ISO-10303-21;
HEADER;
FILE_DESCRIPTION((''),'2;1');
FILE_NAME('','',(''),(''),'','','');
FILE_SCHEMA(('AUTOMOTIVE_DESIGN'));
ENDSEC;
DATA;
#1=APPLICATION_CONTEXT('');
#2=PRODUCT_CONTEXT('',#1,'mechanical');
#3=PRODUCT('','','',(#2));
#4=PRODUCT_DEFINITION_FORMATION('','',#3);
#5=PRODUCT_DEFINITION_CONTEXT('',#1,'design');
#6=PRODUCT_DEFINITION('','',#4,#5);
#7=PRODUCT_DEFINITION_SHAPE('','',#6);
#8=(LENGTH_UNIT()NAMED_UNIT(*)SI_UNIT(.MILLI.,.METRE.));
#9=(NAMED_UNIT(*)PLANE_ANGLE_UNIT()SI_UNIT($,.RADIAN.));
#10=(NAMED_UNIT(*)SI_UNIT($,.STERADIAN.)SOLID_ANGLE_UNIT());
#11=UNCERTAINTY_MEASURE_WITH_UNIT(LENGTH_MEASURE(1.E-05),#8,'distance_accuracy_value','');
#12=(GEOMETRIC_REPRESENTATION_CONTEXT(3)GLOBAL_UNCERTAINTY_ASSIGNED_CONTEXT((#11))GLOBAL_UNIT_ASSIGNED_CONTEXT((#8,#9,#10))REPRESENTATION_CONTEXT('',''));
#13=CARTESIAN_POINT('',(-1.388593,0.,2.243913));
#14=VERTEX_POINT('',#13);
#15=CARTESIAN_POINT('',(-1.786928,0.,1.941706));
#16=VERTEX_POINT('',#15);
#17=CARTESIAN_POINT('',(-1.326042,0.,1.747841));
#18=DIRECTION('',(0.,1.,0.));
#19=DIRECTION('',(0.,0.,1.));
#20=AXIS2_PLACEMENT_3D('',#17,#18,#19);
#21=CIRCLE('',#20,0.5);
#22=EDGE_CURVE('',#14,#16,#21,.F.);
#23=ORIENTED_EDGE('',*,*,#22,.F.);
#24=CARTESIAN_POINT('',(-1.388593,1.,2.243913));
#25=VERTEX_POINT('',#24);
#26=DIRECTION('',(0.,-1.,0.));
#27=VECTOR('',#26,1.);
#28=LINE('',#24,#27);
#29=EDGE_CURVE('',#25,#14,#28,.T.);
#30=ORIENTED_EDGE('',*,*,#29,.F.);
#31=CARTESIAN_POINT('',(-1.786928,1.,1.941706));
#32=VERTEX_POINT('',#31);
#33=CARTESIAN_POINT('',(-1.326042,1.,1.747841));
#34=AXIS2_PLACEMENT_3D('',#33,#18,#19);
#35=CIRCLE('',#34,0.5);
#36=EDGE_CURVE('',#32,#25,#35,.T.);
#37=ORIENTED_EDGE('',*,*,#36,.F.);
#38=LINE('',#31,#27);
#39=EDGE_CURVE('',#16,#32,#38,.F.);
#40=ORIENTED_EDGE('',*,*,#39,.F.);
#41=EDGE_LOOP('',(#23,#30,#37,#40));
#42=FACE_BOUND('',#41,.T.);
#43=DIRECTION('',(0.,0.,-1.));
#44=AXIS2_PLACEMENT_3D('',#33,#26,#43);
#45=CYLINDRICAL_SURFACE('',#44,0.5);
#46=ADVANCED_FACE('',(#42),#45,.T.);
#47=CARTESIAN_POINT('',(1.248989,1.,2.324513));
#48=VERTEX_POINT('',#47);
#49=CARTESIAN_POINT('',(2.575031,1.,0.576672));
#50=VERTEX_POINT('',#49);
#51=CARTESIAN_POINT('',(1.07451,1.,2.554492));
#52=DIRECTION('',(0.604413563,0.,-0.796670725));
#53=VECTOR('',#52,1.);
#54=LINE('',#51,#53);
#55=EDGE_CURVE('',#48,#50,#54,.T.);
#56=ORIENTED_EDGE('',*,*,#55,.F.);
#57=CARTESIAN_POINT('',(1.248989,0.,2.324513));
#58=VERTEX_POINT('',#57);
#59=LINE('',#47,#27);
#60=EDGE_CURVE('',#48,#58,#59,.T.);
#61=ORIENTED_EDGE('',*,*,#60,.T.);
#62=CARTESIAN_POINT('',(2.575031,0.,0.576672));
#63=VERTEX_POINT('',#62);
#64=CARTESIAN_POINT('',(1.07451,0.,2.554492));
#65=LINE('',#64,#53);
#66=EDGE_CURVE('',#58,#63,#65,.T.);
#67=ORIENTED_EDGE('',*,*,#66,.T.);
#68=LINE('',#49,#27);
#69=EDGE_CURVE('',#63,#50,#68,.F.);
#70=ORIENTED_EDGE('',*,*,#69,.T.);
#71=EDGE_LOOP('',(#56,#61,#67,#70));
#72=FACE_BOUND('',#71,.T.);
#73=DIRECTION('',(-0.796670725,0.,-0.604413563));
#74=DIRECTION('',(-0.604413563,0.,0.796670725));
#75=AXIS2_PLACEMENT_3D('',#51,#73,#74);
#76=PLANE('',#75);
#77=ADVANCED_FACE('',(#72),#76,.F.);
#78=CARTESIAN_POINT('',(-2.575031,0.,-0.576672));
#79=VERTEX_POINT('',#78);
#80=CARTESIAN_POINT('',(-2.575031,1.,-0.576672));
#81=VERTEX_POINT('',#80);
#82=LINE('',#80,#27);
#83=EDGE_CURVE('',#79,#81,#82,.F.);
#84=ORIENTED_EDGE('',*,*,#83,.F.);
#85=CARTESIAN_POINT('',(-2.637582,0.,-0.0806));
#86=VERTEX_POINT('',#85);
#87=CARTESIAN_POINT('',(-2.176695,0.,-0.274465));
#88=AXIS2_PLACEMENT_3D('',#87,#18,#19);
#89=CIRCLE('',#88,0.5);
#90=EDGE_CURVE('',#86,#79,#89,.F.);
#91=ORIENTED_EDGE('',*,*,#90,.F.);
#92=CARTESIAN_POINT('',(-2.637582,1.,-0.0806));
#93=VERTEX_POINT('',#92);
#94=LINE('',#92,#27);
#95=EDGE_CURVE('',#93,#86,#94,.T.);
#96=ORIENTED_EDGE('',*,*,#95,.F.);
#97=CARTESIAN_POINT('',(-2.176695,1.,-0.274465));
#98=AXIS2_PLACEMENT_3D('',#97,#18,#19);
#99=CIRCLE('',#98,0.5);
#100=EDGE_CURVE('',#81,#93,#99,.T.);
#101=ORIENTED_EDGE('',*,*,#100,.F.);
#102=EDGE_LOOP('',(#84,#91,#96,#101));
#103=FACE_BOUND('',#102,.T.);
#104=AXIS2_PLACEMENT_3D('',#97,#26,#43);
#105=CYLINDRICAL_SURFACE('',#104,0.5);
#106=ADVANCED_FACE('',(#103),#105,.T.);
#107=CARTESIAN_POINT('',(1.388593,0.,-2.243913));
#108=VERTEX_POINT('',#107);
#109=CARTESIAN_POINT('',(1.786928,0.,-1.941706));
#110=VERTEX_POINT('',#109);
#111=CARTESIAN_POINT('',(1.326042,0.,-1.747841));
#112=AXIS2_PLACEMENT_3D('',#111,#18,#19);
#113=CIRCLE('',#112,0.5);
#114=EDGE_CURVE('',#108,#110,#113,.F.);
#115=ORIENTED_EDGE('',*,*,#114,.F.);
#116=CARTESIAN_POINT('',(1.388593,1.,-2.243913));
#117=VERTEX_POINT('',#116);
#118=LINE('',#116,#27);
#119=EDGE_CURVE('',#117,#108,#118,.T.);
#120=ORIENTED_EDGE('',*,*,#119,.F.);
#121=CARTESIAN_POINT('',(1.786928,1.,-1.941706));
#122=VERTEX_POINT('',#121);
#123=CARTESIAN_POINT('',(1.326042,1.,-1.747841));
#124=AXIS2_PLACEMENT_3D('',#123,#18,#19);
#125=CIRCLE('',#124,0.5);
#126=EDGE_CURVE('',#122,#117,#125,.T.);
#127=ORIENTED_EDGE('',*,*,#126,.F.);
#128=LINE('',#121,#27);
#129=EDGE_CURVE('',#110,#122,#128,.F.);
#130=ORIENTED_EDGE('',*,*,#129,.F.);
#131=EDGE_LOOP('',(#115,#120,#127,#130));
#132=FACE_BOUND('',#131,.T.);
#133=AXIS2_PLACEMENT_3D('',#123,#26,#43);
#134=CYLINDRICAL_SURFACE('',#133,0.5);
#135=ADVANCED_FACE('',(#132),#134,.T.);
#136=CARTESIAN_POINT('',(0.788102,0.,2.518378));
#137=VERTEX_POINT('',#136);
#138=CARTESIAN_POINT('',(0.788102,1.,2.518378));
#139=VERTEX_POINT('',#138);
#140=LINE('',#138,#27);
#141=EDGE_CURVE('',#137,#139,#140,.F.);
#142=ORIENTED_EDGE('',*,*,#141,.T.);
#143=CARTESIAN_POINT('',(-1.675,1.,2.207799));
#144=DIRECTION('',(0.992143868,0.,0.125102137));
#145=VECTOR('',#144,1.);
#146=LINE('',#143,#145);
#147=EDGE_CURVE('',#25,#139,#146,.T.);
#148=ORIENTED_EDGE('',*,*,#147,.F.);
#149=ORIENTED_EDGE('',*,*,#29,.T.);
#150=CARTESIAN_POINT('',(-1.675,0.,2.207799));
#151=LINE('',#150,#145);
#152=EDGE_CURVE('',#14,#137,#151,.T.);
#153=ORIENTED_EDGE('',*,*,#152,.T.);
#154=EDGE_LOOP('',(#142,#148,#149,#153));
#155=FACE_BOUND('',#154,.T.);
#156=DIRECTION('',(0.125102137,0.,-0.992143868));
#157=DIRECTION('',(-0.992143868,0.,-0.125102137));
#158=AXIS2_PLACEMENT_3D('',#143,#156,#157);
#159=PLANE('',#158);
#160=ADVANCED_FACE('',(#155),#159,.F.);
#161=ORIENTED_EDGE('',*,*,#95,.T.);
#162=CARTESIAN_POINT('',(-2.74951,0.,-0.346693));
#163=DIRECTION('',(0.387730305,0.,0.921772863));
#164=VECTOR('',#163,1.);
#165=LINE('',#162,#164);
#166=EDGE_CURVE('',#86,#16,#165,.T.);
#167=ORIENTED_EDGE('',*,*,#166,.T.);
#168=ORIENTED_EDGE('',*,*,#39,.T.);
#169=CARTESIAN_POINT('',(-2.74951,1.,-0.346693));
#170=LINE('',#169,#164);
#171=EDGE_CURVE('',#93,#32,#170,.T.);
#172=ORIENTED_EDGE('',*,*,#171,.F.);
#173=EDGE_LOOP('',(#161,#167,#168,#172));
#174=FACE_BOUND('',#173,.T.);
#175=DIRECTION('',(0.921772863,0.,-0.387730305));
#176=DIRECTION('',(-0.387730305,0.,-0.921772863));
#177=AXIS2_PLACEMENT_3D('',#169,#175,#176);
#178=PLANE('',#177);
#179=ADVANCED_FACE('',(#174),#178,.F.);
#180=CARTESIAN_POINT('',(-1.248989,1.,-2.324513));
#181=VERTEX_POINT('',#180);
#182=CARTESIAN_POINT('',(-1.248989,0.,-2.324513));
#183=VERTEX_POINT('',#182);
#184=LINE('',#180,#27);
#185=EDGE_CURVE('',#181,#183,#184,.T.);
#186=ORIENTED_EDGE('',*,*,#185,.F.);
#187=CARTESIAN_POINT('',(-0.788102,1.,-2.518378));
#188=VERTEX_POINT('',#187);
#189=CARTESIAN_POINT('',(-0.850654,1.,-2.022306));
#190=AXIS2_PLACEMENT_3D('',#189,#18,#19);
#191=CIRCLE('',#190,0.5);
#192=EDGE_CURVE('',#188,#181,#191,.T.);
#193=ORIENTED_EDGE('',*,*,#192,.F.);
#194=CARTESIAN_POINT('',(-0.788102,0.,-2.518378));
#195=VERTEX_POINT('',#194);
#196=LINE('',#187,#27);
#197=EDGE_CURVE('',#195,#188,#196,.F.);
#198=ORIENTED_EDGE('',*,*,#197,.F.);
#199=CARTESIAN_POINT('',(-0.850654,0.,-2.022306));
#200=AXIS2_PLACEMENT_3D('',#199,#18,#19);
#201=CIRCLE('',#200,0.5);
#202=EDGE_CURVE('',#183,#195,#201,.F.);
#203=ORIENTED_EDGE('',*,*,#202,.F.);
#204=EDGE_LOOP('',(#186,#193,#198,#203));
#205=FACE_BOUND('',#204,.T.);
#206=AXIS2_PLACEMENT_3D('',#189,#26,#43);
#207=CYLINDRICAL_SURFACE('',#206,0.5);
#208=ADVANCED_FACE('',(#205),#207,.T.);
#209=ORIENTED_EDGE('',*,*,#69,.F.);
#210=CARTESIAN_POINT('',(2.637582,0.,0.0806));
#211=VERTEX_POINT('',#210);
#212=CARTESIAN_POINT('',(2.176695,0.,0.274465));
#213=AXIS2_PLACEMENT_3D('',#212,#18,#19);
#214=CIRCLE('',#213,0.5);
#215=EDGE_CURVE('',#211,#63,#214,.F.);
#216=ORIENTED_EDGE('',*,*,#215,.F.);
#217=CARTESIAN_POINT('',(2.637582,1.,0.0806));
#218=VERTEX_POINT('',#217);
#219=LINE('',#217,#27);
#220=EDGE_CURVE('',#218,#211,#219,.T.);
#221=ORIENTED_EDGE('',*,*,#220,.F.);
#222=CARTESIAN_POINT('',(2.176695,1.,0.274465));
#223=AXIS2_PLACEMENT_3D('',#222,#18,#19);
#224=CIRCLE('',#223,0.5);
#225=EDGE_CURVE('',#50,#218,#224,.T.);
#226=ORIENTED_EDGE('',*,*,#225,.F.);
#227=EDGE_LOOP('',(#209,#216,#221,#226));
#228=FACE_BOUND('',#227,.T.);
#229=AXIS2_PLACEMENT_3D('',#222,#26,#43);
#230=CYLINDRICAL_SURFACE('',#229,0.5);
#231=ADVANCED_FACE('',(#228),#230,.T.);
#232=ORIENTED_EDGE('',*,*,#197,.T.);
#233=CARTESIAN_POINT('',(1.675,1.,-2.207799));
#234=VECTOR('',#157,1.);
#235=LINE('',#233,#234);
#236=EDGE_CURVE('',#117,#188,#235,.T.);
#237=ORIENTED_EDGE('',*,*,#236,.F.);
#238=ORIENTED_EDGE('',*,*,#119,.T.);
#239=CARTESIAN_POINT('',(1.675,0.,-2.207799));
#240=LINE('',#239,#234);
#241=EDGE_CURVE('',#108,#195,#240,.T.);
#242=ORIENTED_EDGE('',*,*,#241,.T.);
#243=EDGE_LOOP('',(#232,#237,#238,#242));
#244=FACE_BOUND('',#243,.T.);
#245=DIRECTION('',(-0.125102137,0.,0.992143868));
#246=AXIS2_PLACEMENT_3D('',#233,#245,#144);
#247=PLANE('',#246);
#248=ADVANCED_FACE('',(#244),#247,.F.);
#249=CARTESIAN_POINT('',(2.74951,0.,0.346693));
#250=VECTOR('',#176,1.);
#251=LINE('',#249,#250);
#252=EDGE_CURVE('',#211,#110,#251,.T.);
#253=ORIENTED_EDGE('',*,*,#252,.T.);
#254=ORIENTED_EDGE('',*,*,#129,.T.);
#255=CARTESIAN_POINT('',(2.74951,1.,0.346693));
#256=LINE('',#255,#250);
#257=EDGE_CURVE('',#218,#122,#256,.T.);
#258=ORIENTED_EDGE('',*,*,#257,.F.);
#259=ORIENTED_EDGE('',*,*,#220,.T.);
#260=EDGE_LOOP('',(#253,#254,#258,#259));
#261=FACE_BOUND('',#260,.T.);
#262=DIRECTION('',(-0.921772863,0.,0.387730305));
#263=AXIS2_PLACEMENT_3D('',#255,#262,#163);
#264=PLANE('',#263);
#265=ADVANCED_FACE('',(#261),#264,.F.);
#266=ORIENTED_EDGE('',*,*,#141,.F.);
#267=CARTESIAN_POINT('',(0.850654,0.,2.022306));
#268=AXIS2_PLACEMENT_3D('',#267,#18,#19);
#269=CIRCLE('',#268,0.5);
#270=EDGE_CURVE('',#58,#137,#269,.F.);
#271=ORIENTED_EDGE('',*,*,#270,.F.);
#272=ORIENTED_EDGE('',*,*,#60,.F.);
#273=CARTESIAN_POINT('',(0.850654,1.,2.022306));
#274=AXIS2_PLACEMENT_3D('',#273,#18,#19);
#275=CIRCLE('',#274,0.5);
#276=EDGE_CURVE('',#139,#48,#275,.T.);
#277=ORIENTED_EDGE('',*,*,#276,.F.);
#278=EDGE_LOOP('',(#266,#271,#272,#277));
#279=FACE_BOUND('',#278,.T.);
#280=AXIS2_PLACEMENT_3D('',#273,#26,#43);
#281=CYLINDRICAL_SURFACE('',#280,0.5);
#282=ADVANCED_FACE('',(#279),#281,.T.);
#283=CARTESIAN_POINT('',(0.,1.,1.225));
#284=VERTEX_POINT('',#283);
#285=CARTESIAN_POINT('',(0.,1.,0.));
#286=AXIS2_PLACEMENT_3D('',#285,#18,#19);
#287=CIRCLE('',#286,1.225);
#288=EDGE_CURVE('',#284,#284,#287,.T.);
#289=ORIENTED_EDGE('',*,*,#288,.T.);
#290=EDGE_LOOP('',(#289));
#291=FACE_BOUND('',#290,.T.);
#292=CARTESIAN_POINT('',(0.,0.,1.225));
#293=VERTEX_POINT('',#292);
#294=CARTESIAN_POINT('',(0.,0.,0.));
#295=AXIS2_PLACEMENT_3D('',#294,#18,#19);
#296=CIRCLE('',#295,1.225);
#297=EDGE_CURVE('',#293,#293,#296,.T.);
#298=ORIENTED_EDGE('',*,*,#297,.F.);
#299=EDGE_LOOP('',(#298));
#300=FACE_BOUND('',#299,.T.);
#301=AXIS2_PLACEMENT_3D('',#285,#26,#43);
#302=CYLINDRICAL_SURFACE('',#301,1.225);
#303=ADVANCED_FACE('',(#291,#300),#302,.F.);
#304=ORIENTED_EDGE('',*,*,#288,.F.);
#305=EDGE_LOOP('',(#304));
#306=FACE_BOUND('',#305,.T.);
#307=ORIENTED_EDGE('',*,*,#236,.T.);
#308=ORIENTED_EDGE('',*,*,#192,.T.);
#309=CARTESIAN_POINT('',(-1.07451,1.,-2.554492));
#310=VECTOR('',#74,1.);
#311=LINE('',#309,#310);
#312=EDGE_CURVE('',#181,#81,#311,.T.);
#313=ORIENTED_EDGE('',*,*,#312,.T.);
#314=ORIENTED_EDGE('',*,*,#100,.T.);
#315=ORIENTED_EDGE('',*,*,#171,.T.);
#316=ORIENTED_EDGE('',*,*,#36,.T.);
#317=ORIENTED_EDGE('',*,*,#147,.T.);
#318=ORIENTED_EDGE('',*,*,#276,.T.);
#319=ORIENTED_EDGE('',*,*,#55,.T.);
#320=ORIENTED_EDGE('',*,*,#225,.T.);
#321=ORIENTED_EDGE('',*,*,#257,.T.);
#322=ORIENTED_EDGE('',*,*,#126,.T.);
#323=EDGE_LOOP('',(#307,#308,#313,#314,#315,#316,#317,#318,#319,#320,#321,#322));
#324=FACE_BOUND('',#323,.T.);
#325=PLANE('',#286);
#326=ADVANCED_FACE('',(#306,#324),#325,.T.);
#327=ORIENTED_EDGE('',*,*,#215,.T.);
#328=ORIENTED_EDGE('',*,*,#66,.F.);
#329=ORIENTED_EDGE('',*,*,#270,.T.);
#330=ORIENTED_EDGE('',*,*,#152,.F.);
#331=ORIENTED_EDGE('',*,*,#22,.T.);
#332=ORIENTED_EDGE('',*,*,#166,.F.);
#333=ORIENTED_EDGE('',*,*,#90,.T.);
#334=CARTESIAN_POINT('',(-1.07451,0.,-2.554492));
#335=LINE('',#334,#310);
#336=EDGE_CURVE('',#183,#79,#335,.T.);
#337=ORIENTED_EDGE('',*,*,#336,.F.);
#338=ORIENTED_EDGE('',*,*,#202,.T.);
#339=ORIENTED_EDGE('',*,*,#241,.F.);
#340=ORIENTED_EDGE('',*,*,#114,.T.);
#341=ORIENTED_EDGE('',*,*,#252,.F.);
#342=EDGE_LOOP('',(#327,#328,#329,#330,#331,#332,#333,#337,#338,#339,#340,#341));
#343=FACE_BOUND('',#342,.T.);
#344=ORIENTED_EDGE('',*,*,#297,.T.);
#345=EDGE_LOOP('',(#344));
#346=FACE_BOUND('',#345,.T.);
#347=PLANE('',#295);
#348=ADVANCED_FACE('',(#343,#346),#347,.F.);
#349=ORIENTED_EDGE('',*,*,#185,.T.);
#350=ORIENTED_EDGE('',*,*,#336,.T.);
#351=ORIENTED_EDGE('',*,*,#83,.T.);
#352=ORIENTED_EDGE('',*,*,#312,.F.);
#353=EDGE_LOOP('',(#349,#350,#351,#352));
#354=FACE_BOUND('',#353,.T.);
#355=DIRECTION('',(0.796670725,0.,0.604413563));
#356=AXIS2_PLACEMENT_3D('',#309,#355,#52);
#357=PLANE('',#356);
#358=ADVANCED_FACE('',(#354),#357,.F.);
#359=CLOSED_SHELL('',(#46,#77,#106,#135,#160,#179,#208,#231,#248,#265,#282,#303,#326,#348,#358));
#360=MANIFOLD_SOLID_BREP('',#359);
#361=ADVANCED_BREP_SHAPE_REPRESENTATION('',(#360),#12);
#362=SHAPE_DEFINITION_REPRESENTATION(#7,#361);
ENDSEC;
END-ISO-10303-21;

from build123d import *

# Parameters (mm, degrees)
SKETCH1_R           = 1.225
BOSS_EXTRUDE1_DEPTH = 1
FILLET1_R           = 0.5


with BuildPart() as part:
    # Sketch1 → Boss-Extrude1 (new body)
    with BuildSketch(Plane(origin=(0, 0, 0), x_dir=(1, 0, 0), z_dir=(0, 1, 0))):
        Polygon((-1.074509741, 2.55449189), (-2.749509741, 0.346693213), (-1.675, -2.207798677), (1.074509741, -2.55449189), (2.749509741, -0.346693213), (1.675, 2.207798677), align=None)
        with Locations(Location((0, 0, 0), (0, 0, 270))):
            Circle(SKETCH1_R, mode=Mode.SUBTRACT)
    extrude(amount=BOSS_EXTRUDE1_DEPTH)

    # Fillet1
    fillet1_edges = [part.edges().sort_by_distance(p)[0] for p in [
        (1.675, 0.5, -2.207798677),
        (2.749509741, 0.5, 0.346693213),
        (1.074509741, 0.5, 2.55449189),
        (-1.675, 0.5, 2.207798677),
        (-2.749509741, 0.5, -0.346693213),
        (-1.074509741, 0.5, -2.55449189),
    ]]
    fillet(fillet1_edges, radius=FILLET1_R)


solid = part.part
